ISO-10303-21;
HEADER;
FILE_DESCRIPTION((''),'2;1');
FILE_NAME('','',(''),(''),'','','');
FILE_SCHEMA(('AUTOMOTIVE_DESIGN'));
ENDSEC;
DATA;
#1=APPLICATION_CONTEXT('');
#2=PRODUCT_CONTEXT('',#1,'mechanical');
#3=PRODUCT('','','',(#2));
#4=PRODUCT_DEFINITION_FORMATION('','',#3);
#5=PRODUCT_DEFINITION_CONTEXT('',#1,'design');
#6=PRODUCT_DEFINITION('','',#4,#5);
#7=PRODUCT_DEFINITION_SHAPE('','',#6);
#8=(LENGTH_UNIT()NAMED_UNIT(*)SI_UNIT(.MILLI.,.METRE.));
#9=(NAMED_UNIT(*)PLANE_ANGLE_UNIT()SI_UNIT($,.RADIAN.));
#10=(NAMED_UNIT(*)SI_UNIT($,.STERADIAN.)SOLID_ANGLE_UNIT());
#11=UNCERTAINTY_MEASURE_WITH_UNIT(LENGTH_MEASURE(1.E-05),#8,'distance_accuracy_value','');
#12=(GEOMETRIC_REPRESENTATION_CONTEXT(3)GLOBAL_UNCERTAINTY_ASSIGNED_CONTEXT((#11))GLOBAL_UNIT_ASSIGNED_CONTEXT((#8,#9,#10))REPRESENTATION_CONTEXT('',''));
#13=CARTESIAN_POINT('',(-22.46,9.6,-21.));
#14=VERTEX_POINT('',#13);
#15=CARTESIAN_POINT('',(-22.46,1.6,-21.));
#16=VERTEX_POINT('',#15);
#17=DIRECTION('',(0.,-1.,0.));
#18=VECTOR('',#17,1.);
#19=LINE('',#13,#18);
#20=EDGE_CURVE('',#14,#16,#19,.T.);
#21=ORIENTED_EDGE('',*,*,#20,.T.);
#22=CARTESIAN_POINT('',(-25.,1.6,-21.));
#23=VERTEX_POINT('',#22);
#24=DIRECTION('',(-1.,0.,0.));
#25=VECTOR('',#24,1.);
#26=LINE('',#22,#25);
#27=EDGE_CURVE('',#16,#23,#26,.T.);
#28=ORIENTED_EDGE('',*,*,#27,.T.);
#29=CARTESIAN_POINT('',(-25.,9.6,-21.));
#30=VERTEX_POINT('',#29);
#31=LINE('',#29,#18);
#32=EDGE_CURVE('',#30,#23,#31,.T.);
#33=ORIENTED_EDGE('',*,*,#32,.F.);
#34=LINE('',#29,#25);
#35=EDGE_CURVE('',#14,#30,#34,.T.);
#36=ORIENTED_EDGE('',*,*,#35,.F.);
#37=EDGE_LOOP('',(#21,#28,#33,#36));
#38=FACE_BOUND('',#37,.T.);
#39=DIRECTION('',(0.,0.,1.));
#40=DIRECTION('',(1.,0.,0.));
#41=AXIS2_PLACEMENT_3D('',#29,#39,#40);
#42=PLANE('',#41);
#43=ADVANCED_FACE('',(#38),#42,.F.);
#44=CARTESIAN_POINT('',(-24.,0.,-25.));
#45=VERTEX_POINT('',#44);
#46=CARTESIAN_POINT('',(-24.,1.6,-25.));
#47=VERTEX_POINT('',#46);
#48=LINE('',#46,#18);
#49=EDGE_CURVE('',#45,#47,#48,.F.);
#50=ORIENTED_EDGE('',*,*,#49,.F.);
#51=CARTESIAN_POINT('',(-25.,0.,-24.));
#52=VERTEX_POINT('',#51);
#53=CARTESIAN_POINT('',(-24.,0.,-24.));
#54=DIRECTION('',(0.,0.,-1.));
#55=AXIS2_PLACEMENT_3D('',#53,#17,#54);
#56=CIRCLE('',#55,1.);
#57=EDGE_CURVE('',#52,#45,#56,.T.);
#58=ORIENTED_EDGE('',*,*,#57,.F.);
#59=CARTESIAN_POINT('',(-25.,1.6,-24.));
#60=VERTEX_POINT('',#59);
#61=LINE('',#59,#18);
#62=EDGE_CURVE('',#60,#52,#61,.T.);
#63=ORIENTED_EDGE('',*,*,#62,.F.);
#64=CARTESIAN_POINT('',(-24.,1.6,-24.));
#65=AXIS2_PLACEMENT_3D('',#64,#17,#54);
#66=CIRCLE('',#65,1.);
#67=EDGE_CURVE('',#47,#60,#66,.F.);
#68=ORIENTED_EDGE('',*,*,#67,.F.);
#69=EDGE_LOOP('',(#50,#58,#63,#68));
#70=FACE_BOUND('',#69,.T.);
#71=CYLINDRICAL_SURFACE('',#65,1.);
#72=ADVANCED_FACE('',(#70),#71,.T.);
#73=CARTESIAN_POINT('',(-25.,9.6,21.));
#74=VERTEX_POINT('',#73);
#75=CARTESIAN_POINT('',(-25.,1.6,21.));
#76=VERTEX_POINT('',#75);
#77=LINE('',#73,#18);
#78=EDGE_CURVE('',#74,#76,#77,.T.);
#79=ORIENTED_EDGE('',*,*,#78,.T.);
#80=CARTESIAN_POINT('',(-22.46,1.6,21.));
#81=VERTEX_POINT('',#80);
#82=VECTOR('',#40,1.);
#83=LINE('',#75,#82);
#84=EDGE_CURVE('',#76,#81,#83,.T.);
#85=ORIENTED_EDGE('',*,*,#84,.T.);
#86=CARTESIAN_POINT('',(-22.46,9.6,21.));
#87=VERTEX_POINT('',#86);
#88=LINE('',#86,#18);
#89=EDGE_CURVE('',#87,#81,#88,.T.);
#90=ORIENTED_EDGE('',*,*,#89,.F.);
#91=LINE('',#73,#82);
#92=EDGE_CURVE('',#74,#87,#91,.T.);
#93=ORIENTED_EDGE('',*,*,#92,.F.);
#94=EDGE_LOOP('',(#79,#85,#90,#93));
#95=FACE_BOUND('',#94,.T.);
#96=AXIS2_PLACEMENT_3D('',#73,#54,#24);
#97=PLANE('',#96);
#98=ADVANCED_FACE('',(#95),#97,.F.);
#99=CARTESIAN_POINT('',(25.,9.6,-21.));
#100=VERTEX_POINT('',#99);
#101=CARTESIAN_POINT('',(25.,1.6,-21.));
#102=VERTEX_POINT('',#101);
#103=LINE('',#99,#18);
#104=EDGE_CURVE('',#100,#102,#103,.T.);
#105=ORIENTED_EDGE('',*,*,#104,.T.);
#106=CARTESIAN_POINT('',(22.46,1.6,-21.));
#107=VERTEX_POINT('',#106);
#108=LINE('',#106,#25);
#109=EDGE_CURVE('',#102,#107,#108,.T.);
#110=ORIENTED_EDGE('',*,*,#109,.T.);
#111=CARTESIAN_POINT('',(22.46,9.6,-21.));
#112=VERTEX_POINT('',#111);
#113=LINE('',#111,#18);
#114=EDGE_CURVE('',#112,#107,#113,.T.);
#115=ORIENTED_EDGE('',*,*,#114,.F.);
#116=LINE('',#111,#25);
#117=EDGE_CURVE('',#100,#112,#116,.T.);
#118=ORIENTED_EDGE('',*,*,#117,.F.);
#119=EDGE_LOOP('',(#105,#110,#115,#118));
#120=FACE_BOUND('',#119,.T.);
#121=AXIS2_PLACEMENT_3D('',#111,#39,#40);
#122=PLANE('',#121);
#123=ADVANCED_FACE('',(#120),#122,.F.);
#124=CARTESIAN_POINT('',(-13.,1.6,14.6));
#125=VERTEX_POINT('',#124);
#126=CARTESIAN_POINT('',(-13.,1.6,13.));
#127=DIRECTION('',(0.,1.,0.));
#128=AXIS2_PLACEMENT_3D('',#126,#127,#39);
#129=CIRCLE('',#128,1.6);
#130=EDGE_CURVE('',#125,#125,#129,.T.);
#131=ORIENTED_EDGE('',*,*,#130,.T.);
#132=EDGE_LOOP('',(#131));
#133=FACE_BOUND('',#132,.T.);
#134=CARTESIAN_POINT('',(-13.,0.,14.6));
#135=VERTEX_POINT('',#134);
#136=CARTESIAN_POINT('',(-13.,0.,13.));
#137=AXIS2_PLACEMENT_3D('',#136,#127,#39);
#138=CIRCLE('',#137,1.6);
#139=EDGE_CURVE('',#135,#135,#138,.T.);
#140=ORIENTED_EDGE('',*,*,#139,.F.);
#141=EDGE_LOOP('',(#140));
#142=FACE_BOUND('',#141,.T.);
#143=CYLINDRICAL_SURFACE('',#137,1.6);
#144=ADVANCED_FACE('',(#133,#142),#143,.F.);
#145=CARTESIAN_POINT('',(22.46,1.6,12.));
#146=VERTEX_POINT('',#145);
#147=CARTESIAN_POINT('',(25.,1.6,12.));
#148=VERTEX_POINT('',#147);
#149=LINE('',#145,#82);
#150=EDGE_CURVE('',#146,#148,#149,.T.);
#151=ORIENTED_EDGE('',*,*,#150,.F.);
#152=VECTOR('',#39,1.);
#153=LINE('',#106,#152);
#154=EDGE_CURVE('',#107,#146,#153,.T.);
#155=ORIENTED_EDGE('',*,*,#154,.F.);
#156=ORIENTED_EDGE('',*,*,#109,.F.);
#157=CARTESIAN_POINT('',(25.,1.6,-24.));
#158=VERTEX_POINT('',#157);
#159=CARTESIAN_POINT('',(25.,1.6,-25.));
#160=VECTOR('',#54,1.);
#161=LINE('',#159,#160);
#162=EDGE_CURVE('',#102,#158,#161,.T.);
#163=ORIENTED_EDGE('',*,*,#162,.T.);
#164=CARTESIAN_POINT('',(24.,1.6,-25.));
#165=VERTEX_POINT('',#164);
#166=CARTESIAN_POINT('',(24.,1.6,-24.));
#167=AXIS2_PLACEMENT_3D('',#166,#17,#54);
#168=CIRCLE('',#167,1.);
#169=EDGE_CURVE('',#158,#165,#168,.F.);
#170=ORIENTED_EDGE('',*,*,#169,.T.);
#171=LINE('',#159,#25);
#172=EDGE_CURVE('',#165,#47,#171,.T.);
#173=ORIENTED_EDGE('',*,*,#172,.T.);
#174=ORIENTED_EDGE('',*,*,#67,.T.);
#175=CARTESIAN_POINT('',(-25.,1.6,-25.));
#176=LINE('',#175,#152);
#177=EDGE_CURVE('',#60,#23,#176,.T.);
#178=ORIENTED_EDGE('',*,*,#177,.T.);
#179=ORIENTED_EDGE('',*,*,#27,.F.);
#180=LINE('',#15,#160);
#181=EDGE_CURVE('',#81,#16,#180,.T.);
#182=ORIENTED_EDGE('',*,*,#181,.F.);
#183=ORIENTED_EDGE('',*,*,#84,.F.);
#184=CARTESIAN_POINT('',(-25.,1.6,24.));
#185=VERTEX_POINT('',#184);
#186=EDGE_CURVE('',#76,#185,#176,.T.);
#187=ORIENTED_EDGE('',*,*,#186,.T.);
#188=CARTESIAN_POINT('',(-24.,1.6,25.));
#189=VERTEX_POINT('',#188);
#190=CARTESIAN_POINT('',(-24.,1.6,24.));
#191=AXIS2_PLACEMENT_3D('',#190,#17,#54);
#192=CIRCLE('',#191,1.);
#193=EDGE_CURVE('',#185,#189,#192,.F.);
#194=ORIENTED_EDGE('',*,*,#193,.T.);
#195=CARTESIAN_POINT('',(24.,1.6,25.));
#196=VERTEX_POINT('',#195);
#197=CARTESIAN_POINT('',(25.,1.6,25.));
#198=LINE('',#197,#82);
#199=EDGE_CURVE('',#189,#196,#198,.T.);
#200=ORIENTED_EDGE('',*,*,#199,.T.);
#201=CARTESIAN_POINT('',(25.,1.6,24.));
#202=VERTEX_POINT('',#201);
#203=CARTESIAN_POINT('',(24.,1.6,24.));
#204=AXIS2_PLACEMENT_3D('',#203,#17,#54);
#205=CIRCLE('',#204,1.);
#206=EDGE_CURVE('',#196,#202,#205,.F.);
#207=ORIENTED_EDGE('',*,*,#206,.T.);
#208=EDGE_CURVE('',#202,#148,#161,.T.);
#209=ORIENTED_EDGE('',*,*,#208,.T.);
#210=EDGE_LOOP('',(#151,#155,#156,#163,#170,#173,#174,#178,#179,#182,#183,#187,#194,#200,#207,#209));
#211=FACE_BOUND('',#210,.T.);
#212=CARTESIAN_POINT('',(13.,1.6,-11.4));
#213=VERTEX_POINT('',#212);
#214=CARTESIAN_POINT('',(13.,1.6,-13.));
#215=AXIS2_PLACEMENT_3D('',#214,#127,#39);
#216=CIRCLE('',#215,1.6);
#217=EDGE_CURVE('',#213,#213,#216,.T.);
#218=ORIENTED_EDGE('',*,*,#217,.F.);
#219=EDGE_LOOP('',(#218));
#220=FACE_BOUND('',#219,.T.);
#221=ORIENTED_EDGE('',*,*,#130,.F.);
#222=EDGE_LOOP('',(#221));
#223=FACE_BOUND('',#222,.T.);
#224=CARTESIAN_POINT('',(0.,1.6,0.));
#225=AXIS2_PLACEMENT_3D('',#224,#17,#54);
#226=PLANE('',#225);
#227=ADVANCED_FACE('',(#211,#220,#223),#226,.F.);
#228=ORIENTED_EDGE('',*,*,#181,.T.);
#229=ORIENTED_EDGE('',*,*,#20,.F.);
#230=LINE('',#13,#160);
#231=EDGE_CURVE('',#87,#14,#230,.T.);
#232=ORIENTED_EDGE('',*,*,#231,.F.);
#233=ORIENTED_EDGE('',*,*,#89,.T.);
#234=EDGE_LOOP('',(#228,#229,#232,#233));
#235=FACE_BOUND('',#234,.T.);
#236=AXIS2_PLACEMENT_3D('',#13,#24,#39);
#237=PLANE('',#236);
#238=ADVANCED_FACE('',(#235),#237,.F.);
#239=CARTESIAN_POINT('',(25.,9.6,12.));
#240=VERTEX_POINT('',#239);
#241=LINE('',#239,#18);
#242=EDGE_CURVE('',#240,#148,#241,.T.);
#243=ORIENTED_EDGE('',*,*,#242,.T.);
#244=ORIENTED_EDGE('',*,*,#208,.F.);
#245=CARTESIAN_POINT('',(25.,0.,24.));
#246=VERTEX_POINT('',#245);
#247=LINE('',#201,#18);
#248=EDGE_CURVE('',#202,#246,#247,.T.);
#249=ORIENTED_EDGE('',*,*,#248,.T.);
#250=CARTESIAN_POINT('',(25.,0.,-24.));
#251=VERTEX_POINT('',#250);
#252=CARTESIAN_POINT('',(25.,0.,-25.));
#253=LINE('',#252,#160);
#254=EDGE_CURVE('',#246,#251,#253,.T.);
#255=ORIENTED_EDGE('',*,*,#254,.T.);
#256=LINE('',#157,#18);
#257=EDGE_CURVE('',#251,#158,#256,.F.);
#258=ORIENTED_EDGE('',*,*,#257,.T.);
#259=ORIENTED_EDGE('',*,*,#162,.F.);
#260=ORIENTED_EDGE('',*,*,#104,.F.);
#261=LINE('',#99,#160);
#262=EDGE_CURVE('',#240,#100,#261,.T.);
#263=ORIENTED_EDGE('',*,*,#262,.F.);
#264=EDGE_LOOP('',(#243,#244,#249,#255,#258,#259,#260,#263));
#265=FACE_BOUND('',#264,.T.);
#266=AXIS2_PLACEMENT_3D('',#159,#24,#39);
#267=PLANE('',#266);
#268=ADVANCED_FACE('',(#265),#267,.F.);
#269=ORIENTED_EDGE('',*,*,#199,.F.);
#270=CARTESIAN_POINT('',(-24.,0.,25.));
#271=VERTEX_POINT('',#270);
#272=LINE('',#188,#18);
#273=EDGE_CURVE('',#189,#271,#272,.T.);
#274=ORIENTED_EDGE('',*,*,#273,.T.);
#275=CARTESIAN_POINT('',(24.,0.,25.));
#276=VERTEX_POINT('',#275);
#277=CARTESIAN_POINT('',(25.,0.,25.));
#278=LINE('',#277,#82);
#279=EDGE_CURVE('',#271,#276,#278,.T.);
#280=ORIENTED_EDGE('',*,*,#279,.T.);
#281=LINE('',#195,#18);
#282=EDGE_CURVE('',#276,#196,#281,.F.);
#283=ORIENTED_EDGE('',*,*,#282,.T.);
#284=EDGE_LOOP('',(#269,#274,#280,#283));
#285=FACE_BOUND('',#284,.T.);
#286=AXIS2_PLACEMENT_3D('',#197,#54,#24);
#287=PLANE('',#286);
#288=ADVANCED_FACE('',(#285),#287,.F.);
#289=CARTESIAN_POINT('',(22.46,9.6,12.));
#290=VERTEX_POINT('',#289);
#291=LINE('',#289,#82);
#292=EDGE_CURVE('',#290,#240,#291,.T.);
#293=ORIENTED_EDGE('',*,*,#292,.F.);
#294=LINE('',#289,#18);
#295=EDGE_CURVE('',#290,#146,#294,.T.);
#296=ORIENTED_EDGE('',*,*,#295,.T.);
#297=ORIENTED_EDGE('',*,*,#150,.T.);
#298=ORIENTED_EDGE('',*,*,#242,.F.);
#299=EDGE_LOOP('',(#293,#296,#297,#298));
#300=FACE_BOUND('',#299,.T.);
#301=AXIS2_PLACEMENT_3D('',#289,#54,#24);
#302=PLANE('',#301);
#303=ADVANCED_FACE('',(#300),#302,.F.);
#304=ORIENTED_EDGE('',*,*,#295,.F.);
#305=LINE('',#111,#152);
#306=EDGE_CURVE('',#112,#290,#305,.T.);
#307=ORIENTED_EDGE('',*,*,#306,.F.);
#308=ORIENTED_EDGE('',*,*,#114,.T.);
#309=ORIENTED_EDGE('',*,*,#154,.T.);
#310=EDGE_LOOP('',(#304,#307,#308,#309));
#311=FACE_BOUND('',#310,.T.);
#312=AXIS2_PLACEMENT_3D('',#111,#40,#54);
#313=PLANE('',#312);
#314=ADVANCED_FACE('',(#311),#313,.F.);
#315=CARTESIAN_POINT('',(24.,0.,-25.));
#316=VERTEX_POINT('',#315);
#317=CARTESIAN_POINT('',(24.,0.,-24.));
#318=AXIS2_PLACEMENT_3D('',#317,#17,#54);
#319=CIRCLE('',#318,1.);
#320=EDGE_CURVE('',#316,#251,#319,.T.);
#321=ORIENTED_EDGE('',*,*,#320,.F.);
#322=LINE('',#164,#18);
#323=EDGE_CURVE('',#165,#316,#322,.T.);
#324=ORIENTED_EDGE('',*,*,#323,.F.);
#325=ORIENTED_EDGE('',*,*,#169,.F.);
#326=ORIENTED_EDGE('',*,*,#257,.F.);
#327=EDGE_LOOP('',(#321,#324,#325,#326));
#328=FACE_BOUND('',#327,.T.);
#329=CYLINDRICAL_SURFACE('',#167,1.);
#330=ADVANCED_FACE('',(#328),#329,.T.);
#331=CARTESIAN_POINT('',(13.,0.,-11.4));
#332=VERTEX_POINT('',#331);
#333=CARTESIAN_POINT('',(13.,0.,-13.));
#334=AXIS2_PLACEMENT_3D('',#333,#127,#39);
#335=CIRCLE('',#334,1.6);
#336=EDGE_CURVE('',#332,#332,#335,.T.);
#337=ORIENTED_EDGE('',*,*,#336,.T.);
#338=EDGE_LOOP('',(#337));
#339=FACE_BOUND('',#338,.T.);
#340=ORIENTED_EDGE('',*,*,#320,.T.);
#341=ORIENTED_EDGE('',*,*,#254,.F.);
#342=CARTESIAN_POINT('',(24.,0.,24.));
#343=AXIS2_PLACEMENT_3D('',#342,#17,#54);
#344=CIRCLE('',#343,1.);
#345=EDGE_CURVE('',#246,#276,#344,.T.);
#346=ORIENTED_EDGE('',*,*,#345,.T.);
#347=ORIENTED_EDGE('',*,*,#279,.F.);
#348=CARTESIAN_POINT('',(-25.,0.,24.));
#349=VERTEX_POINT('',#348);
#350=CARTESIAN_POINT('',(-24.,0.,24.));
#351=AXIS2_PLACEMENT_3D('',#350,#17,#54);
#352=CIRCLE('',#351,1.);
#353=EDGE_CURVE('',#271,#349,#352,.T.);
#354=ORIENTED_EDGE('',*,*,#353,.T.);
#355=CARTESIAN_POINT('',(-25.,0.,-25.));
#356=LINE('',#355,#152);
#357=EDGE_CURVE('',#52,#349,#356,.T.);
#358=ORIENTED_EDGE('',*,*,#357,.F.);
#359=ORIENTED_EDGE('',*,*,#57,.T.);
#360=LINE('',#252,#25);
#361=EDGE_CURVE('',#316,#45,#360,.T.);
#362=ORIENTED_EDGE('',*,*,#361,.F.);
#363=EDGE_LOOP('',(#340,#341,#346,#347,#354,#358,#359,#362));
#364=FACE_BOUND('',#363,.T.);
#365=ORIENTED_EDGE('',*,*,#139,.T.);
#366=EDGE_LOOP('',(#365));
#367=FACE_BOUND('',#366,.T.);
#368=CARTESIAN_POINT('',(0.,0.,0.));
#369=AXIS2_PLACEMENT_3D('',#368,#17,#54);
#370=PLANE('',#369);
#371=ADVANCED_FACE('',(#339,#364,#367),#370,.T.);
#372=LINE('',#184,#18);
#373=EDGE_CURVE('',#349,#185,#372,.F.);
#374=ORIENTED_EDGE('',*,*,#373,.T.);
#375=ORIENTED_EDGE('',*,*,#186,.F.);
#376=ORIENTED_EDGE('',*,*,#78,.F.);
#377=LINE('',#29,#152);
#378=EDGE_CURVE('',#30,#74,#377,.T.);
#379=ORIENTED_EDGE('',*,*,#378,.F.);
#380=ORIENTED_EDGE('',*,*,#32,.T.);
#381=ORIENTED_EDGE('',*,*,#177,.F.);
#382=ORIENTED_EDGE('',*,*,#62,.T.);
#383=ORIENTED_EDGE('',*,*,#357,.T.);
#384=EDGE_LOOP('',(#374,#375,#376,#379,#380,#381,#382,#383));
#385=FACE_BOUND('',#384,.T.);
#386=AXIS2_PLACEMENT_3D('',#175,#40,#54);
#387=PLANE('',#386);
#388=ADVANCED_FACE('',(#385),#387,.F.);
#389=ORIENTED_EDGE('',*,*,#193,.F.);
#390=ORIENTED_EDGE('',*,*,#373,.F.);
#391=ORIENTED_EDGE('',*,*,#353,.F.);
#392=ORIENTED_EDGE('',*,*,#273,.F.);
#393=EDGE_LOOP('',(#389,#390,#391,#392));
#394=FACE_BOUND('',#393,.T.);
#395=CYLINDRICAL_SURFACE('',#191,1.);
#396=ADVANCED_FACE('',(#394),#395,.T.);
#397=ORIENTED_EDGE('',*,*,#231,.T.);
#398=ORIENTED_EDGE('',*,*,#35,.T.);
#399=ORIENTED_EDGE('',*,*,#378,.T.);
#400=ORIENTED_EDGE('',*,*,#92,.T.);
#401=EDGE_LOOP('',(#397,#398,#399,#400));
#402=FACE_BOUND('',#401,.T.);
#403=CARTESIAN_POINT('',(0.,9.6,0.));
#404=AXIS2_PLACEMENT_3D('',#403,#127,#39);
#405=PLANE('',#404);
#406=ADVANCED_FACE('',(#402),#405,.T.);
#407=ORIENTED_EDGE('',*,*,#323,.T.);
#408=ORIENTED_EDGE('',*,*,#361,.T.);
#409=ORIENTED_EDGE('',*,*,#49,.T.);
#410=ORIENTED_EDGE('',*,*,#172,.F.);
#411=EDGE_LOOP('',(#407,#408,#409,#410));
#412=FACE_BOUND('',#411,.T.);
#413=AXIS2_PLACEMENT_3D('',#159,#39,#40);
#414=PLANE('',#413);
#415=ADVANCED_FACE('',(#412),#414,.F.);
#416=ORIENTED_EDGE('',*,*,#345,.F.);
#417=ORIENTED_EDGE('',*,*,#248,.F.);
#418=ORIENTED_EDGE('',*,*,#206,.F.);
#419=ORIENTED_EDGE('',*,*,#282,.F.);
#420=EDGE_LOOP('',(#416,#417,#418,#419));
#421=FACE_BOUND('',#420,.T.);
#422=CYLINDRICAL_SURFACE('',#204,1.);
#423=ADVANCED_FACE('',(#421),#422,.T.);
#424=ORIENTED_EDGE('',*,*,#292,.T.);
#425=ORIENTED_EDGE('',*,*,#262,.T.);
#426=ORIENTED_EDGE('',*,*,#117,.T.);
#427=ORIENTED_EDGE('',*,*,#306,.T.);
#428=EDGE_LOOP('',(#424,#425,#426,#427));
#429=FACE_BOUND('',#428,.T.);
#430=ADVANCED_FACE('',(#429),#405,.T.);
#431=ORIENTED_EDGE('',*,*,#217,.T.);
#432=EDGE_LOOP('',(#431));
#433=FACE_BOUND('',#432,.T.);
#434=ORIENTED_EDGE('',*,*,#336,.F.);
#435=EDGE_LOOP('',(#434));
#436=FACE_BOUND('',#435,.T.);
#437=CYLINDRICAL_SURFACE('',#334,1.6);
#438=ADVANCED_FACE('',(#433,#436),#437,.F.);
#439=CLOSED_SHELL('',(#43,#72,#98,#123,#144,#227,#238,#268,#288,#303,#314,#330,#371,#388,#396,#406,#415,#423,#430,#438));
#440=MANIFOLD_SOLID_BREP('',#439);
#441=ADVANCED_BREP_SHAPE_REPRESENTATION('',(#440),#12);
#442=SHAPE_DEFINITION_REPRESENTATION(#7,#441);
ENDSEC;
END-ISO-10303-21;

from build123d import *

# Parameters (mm, degrees)
SKETCH1_W           = 50
SKETCH1_H           = 50
BOSS_EXTRUDE1_DEPTH = 1.6
SKETCH2_R           = 1.6
CUT_EXTRUDE1_DEPTH  = 2.6
FILLET1_R           = 1
SKETCH3_W           = 2.54
SKETCH3_H           = 42
SKETCH3_H_2         = 33
BOSS_EXTRUDE2_DEPTH = 8


with BuildPart() as part:
    # Sketch1 → Boss-Extrude1 (new body)
    with BuildSketch(Plane(origin=(0, 0, 0), x_dir=(1, 0, 0), z_dir=(0, 1, 0))):
        Rectangle(SKETCH1_W, SKETCH1_H)
    extrude(amount=BOSS_EXTRUDE1_DEPTH)

    # Sketch2 → Cut-Extrude1 (cut, through all)
    with BuildSketch(Plane(origin=(0, 1.6, 0), x_dir=(1, 0, 0), z_dir=(0, 1, 0))):
        with Locations((-13, -13)):
            Circle(SKETCH2_R)
        with Locations((13, 13)):
            Circle(SKETCH2_R)
    extrude(amount=-CUT_EXTRUDE1_DEPTH, mode=Mode.SUBTRACT)

    # Fillet1
    fillet1_edges = [part.edges().sort_by_distance(p)[0] for p in [
        (-25, 0.8, -25),
        (25, 0.8, -25),
        (25, 0.8, 25),
        (-25, 0.8, 25),
    ]]
    fillet(fillet1_edges, radius=FILLET1_R)

    # Sketch3 → Boss-Extrude2 (add)
    with BuildSketch(Plane(origin=(0, 1.6, 0), x_dir=(1, 0, 0), z_dir=(0, 1, 0))):
        with Locations((-23.73, 0)):
            Rectangle(SKETCH3_W, SKETCH3_H)
        with Locations((23.73, 4.5)):
            Rectangle(SKETCH3_W, SKETCH3_H_2)
    extrude(amount=BOSS_EXTRUDE2_DEPTH)


solid = part.part
